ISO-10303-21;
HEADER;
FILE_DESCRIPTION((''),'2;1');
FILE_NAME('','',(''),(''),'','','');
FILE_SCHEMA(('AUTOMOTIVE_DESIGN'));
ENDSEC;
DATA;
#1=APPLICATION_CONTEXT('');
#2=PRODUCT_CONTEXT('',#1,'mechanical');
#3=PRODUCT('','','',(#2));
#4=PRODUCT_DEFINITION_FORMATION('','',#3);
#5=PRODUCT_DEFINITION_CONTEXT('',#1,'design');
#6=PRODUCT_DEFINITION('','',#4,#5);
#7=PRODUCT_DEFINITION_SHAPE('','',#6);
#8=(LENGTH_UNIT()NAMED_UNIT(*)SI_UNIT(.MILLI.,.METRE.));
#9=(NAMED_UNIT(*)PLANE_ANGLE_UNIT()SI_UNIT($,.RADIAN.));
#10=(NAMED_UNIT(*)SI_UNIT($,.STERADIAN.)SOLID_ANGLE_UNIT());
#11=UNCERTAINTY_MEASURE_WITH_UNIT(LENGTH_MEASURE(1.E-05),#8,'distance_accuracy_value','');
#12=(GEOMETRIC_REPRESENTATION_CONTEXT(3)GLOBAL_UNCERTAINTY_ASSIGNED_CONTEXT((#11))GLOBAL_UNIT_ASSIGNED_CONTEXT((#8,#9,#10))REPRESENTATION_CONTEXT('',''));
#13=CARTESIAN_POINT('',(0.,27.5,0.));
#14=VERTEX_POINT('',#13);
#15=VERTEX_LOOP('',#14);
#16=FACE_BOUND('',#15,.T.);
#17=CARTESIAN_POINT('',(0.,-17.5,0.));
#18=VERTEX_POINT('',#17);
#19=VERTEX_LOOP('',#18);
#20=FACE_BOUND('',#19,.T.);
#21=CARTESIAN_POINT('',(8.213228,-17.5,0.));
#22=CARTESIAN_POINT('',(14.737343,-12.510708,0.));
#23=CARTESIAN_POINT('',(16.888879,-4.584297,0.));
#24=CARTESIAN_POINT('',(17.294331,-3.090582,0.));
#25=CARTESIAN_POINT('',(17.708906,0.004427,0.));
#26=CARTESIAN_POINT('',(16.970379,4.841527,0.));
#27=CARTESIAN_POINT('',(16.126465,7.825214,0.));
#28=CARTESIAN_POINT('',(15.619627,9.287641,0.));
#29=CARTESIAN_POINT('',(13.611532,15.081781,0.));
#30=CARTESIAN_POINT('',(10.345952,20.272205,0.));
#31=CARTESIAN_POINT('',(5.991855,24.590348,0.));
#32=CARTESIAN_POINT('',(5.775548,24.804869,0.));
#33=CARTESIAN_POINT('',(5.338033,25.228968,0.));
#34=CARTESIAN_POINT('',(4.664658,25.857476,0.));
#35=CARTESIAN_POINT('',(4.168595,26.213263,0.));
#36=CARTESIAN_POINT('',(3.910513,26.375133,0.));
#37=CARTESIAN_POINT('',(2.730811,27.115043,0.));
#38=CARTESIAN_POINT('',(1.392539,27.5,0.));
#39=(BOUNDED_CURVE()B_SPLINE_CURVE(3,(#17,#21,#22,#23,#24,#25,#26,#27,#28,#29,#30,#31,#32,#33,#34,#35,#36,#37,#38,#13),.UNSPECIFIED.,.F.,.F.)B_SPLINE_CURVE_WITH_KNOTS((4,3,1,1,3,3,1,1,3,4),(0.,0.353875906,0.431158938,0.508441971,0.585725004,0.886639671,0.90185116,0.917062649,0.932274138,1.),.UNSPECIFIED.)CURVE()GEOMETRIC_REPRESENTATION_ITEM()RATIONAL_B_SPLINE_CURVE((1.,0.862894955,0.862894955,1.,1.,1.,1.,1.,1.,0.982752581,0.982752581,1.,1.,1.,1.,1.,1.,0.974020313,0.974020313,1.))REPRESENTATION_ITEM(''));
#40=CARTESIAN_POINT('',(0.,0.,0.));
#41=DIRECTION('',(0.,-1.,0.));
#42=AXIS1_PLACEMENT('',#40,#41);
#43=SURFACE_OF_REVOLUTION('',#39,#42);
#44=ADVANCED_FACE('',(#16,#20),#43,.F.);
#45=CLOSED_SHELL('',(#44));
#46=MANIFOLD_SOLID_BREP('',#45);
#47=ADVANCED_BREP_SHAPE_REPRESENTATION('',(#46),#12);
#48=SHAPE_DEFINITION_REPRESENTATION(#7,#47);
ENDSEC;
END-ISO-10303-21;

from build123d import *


with BuildPart() as part:
    # Sketch1 → Revolve1 (revolve)
    with BuildSketch(Plane.XY):
        with BuildLine():
            Line((0, 27.5), (0, -17.5))
            add(Edge.make_bspline(
                [(0, 27.5), (1.392538888, 27.5), (2.73081119, 27.115043116), (3.910513218, 26.375132525), (4.168595109, 26.21326324), (4.664657949, 25.857476038), (5.338032996, 25.228968144), (5.775548453, 24.804868642), (5.991855463, 24.590347768), (10.34595172, 20.272205075), (13.611531577, 15.081781324), (15.619626567, 9.287640746), (16.126464658, 7.825214336), (16.970378931, 4.841526555), (17.708906175, 0.004427467), (17.29433091, -3.090581537), (16.888878754, -4.584296504), (14.737343228, -12.510708461), (8.213227844, -17.5), (0, -17.5)],
                knots=[0, 0, 0, 0, 0.067725862, 0.067725862, 0.067725862, 0.082937351, 0.09814884, 0.113360329, 0.113360329, 0.113360329, 0.414274996, 0.414274996, 0.414274996, 0.491558029, 0.568841062, 0.646124094, 0.646124094, 0.646124094, 1, 1, 1, 1], degree=3, weights=[1, 0.974020313, 0.974020313, 1, 1, 1, 1, 1, 1, 0.982752581, 0.982752581, 1, 1, 1, 1, 1, 1, 0.862894955, 0.862894955, 1]))
        make_face()
    revolve(axis=Axis((0, 0, 0), (0, 1, 0)))


solid = part.part
